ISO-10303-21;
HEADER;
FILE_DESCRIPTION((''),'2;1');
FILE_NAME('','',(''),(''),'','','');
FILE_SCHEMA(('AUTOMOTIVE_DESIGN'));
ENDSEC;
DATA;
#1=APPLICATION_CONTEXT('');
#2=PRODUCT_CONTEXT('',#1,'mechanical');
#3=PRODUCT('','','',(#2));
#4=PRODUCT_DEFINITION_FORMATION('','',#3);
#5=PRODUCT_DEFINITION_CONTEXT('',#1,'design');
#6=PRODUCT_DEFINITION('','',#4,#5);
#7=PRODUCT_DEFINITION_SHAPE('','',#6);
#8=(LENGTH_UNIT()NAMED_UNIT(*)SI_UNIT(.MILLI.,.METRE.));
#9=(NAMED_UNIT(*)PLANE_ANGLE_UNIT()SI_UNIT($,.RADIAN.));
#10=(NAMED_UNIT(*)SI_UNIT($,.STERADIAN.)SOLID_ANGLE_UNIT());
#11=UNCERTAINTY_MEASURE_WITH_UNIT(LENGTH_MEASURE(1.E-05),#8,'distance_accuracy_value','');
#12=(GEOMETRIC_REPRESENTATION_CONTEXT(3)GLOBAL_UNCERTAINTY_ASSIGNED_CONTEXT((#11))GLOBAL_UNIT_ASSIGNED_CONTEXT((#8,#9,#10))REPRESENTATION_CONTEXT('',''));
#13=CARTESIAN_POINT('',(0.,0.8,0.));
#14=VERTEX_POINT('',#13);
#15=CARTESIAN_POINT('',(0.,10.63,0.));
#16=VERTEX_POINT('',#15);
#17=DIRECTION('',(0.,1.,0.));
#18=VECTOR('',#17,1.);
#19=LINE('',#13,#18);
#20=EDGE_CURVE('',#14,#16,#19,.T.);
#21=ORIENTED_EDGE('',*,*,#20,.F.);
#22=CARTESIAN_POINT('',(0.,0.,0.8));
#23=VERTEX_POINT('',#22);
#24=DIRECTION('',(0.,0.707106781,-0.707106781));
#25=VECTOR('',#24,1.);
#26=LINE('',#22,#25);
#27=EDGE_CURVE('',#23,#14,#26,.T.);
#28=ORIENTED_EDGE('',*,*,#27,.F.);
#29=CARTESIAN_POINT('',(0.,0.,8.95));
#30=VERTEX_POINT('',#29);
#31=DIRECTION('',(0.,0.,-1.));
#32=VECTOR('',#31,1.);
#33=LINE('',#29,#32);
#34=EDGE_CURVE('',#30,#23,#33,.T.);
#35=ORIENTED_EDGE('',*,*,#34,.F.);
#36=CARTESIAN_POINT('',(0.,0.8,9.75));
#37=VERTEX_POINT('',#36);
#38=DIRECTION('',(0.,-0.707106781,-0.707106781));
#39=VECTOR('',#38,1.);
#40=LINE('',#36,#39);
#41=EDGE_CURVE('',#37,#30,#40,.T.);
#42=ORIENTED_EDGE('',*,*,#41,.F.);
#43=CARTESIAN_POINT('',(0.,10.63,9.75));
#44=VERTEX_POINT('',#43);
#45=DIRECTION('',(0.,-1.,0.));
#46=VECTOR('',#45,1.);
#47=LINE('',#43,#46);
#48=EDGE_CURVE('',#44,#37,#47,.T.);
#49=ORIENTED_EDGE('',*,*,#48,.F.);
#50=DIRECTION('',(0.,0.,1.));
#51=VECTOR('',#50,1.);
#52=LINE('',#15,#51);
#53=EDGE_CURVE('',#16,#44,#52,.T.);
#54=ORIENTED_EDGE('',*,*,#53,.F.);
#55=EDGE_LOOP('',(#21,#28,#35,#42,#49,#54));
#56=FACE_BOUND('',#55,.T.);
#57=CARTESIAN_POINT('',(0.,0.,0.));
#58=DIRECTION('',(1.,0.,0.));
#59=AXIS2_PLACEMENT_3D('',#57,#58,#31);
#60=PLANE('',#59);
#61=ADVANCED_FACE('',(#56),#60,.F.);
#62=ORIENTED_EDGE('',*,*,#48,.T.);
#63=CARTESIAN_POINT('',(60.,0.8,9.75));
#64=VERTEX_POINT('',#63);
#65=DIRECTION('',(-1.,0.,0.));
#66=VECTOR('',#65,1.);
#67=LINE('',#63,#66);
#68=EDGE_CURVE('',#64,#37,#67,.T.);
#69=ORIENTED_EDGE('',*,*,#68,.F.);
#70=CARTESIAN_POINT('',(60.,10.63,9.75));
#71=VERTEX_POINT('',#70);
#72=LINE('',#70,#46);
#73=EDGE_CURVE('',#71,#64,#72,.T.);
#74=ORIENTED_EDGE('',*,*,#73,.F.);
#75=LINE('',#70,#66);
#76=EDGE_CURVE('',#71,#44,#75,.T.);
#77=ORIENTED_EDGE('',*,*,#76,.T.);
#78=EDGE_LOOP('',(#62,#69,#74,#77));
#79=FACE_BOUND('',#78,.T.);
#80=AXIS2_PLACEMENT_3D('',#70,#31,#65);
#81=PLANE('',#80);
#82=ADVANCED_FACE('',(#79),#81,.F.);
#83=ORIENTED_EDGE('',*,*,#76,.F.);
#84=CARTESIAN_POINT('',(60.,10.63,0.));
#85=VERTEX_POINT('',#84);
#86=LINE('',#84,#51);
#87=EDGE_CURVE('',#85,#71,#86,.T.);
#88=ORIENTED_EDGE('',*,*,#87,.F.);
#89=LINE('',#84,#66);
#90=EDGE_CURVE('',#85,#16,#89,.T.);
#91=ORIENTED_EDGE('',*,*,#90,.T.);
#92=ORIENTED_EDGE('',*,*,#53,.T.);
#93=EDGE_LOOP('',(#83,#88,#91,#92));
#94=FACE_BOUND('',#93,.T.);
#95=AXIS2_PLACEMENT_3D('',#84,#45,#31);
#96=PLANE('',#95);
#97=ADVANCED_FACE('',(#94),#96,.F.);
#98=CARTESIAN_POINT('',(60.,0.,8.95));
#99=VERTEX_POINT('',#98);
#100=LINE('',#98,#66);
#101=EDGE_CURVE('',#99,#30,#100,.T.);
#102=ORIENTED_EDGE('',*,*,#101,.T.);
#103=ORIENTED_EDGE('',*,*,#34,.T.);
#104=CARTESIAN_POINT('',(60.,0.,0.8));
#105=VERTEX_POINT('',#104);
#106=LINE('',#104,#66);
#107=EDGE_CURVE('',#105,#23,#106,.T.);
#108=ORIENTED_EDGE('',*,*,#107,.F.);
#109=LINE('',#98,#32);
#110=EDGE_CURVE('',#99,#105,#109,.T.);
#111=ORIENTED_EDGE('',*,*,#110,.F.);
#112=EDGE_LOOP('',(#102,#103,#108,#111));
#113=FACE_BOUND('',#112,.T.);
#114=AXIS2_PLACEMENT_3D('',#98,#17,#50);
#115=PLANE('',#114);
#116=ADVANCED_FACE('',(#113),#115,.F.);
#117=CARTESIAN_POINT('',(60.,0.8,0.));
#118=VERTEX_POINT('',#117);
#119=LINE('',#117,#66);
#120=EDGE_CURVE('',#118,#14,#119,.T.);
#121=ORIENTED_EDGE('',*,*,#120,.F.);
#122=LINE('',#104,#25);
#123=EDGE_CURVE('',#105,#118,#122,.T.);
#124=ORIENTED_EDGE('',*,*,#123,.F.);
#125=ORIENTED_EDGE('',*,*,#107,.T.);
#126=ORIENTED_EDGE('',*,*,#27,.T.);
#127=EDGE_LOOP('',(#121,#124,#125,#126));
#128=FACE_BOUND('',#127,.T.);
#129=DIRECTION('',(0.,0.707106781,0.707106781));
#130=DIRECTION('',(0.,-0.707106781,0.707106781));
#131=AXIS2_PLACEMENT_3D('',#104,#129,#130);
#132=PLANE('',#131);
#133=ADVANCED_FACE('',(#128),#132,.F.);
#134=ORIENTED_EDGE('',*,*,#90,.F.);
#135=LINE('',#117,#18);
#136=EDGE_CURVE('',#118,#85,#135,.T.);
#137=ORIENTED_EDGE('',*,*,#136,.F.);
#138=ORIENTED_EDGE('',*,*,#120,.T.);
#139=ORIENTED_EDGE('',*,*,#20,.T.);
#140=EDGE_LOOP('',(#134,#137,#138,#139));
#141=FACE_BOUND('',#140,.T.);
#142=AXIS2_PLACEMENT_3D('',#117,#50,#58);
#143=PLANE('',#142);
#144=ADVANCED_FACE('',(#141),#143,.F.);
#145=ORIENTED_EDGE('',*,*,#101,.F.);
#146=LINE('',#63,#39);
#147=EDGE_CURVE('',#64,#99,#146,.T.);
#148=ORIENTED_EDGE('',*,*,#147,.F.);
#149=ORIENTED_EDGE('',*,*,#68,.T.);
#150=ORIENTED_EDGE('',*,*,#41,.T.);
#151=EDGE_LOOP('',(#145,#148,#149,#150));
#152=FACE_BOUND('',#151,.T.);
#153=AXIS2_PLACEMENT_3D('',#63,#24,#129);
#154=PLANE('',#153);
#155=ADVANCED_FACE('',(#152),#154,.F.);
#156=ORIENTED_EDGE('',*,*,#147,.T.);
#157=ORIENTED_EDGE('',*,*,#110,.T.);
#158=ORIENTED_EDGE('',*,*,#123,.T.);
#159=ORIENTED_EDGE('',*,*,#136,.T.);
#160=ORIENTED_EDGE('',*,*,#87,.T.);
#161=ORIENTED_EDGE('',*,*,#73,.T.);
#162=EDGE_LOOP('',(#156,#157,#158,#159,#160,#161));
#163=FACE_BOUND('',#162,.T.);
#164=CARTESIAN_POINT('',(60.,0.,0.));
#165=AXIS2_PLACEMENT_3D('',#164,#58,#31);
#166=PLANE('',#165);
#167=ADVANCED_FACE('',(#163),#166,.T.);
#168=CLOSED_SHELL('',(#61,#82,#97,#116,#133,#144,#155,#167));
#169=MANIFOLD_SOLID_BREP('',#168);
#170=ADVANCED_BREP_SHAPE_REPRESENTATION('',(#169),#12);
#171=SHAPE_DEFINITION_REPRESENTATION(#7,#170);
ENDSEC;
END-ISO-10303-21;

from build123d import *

# Parameters (mm, degrees)
SPACER_DEPTH = 30


with BuildPart() as part:
    # spacer sketch → spacer (new, symmetric)
    with BuildSketch(Plane(origin=(30, 0, 0), x_dir=(0, 0, -1), z_dir=(1, 0, 0))):
        Polygon((-0.8, 0), (0, 0.8), (0, 10.63), (-9.75, 10.63), (-9.75, 0.8), (-8.95, 0), align=None)
    extrude(amount=SPACER_DEPTH, both=True)


solid = part.part
